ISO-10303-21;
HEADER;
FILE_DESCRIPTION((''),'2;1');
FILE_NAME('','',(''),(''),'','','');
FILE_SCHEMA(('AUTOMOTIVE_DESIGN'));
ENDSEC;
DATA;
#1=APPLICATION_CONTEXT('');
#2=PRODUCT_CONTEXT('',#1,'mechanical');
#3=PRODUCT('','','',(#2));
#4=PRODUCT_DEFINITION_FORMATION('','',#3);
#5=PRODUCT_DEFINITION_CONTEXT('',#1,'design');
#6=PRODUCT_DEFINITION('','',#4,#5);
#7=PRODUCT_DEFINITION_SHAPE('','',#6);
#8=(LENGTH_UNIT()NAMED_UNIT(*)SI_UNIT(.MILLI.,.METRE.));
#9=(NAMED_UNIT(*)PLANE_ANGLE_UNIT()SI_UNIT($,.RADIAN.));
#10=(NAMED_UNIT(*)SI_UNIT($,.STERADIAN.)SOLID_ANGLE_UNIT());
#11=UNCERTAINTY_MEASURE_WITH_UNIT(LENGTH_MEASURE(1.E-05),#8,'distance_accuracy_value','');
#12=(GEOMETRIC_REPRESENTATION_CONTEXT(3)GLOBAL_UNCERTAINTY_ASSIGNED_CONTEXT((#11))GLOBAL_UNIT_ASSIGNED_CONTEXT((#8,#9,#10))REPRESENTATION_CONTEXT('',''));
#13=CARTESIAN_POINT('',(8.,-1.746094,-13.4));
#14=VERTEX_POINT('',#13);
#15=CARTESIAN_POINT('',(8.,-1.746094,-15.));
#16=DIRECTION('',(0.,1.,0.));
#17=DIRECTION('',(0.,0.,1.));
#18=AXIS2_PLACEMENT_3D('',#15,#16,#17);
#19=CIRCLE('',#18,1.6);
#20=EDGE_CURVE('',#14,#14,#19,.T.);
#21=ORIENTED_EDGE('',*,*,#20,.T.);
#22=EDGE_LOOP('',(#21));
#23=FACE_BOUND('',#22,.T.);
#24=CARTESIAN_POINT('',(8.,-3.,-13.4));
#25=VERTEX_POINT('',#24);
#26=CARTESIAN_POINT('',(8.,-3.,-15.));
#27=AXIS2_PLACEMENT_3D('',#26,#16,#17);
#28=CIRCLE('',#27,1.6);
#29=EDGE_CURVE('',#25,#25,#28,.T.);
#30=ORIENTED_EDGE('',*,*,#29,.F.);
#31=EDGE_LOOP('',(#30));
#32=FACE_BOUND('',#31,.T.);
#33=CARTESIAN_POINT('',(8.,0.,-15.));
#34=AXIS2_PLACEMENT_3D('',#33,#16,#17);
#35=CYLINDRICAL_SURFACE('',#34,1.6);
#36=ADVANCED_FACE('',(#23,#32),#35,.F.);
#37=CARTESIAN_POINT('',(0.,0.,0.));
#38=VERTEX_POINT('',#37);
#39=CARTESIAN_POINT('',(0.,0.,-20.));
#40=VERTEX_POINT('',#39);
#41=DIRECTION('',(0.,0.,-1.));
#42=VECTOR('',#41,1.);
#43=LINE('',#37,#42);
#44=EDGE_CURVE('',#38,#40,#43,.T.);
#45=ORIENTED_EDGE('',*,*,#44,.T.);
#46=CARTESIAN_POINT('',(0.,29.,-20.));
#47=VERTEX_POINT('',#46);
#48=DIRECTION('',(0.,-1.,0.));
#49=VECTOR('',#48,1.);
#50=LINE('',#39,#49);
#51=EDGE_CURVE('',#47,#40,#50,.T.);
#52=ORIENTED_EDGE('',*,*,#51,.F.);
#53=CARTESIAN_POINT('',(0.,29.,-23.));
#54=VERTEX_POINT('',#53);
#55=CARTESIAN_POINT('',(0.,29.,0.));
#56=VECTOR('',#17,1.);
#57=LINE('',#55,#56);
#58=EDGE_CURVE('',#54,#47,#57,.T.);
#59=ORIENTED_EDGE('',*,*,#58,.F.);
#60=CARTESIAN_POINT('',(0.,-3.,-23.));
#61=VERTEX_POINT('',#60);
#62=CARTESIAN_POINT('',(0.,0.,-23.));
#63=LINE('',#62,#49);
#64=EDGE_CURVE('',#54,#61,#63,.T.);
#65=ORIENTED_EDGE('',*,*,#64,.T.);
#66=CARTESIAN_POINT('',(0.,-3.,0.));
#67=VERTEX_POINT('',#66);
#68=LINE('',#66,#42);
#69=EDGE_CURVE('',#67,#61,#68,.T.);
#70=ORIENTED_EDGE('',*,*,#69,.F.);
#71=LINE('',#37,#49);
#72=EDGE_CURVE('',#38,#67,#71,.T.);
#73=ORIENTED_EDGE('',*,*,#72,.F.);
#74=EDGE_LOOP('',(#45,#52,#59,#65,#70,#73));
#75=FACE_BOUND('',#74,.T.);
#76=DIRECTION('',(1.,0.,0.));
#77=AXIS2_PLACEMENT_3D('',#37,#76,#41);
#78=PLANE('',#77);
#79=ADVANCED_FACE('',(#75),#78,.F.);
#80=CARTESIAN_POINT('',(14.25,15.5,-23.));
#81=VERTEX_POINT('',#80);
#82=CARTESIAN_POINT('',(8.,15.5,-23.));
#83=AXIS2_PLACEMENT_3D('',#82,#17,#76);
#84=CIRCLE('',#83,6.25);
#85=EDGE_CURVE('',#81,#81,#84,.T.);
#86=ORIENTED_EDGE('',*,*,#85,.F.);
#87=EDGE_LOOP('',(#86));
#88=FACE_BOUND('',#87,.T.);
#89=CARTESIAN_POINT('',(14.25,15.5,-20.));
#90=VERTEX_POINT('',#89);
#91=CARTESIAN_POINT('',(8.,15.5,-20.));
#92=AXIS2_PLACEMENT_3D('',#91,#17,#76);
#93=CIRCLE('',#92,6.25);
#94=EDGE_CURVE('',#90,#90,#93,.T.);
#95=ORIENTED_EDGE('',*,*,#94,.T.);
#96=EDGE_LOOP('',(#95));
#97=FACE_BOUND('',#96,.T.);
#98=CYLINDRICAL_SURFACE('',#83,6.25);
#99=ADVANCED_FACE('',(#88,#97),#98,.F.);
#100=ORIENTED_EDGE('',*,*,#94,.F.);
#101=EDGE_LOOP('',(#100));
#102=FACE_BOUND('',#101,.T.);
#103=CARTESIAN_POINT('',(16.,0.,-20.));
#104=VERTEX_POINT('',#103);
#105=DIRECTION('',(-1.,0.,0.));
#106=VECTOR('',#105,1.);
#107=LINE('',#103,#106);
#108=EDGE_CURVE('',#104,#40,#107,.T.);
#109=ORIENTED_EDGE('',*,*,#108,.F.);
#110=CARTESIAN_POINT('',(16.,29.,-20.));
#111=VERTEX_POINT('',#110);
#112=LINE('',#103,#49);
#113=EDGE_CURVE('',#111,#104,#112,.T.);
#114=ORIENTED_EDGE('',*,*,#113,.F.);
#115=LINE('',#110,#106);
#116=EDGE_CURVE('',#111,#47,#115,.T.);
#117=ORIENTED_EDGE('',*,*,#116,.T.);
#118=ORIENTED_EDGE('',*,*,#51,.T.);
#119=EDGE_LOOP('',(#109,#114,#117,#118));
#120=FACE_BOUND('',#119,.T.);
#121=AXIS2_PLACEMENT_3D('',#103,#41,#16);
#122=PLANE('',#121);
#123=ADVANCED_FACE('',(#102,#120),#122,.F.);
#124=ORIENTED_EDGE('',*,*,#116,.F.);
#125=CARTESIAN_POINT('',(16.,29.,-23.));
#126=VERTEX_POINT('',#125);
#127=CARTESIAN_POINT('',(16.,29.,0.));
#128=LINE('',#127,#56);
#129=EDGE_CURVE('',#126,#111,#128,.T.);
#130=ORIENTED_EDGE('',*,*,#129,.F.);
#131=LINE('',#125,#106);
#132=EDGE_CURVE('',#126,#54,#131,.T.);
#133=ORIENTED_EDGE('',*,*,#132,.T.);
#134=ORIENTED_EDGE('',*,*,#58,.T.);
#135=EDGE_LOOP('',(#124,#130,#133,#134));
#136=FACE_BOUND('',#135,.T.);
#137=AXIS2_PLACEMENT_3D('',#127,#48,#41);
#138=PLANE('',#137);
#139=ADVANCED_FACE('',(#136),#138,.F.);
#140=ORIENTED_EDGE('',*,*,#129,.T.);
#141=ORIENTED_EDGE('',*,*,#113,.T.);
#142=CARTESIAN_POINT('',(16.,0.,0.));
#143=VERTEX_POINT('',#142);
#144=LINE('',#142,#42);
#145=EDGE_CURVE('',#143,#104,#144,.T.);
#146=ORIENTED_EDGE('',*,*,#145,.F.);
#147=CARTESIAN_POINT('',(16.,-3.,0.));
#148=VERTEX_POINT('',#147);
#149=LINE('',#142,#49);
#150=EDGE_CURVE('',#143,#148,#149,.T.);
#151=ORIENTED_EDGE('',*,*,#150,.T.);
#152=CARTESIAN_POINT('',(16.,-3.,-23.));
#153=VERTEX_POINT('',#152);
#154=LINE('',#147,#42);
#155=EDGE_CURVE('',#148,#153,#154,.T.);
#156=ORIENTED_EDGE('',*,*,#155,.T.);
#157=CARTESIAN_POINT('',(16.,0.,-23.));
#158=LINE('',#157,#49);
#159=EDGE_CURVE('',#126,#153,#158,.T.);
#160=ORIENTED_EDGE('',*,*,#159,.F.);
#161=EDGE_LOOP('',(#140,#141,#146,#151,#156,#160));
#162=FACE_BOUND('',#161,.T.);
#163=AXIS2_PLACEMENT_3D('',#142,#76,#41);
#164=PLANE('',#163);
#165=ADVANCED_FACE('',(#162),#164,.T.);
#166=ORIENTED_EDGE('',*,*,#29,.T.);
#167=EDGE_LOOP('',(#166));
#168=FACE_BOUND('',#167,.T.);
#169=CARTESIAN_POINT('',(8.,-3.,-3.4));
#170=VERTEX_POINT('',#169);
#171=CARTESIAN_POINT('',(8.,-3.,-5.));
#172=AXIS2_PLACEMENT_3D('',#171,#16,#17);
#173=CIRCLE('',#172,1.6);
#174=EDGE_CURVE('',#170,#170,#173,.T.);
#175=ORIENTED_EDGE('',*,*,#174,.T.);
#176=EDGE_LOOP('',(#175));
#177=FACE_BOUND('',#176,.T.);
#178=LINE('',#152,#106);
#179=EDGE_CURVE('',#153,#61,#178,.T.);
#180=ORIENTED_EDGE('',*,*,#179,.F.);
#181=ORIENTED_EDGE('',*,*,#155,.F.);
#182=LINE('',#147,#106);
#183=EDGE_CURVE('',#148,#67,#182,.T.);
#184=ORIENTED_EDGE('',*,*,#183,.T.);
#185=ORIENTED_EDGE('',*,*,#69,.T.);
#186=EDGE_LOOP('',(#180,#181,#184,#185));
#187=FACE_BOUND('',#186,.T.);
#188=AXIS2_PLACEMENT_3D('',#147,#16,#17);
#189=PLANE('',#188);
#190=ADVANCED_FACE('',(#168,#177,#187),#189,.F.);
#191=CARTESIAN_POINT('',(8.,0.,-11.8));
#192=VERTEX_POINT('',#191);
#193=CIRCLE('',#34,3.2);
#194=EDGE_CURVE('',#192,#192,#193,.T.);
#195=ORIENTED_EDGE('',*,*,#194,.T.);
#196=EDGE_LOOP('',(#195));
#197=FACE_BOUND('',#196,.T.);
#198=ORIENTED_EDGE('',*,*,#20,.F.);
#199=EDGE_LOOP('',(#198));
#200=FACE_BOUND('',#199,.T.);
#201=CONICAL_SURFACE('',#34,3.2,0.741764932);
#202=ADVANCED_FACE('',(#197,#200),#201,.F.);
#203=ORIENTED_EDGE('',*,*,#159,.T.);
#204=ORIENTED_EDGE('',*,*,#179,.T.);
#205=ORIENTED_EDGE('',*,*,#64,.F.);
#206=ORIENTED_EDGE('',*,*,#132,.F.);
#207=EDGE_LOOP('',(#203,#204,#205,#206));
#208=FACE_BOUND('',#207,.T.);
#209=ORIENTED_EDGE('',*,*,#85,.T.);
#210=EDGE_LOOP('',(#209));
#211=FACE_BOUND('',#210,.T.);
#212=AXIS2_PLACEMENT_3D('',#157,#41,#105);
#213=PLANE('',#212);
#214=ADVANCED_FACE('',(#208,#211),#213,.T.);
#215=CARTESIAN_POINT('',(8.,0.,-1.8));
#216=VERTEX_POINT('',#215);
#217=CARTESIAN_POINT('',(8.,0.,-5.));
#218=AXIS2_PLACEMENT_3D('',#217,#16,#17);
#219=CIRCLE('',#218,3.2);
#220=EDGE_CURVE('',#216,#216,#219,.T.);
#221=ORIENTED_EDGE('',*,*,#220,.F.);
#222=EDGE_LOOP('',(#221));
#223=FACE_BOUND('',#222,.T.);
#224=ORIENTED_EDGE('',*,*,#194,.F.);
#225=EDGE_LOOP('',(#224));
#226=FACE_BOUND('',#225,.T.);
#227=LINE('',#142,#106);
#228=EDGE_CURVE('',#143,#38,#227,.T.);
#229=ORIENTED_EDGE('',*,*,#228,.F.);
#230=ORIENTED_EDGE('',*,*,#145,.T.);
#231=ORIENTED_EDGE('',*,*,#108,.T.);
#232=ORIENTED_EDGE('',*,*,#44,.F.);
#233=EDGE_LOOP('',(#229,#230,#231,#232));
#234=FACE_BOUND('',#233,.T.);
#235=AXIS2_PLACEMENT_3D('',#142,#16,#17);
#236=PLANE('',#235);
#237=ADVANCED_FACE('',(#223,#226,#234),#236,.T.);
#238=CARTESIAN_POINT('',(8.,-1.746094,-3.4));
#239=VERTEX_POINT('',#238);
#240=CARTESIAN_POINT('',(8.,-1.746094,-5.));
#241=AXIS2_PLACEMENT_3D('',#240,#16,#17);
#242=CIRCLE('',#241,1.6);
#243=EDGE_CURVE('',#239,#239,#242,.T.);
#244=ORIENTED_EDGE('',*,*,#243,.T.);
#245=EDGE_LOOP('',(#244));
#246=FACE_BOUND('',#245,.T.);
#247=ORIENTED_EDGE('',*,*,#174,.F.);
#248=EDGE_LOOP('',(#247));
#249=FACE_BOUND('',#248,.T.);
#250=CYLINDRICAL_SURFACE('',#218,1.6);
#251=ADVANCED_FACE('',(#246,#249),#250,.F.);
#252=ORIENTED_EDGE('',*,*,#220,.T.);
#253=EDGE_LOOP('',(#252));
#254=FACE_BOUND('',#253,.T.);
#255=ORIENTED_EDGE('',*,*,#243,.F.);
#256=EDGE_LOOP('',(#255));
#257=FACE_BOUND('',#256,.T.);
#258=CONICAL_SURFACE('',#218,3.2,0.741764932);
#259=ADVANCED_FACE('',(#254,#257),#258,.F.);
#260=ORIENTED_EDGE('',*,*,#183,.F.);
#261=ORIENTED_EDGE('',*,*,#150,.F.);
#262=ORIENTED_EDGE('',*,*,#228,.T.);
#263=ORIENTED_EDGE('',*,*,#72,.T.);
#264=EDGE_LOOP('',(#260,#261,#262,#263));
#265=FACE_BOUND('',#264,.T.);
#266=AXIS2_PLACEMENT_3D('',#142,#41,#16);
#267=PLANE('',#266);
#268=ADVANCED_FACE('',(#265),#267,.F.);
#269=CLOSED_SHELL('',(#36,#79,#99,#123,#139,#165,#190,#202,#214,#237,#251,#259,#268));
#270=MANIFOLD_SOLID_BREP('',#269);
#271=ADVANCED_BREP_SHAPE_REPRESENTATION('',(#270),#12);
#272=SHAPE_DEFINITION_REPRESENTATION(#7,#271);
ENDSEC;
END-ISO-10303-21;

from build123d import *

# Parameters (mm, degrees)
SKETCH1_W           = 23
SKETCH1_H           = 3
SKETCH1_W_2         = 3
SKETCH1_H_2         = 29
BOSS_EXTRUDE1_DEPTH = 16
HOLE1_AT_2_COUNT    = 2
HOLE1_AT_2_PITCH    = 10
SKETCH5_R           = 6.25
CUT_EXTRUDE1_DEPTH  = 39.691084244


with BuildPart() as part:
    # Sketch1 → Boss-Extrude1 (new body)
    with BuildSketch(Plane(origin=(0, 0, 0), x_dir=(0, 0, -1), z_dir=(1, 0, 0))):
        with Locations((11.5, -1.5)):
            Rectangle(SKETCH1_W, SKETCH1_H)
        with Locations((21.5, 14.5)):
            Rectangle(SKETCH1_W_2, SKETCH1_H_2)
    extrude(amount=BOSS_EXTRUDE1_DEPTH)

    # Sketch4 → Hole1 (revolve, cut)
    with BuildSketch(Plane(origin=(8, 0, -5), x_dir=(0, 0, 1), z_dir=(1, 0, 0))):
        Polygon((0, 0), (0, 3), (1.6, 3), (1.6, 1.746093602), (3.2, 0), align=None)
    hole1 = revolve(axis=Axis((8, 6.445314094, -5), (0, -1, 0)), mode=Mode.SUBTRACT)

    # Hole1 at 2: Hole1 ×2
    with Locations(*[(0, 0, -i * HOLE1_AT_2_PITCH) for i in range(1, HOLE1_AT_2_COUNT)]):
        add(hole1, mode=Mode.SUBTRACT)

    # Sketch5 → Cut-Extrude1 (cut, through all)
    with BuildSketch(Plane.XY.offset(-20)):
        with Locations((8, 15.5)):
            Circle(SKETCH5_R)
    extrude(amount=-CUT_EXTRUDE1_DEPTH, mode=Mode.SUBTRACT)


solid = part.part
